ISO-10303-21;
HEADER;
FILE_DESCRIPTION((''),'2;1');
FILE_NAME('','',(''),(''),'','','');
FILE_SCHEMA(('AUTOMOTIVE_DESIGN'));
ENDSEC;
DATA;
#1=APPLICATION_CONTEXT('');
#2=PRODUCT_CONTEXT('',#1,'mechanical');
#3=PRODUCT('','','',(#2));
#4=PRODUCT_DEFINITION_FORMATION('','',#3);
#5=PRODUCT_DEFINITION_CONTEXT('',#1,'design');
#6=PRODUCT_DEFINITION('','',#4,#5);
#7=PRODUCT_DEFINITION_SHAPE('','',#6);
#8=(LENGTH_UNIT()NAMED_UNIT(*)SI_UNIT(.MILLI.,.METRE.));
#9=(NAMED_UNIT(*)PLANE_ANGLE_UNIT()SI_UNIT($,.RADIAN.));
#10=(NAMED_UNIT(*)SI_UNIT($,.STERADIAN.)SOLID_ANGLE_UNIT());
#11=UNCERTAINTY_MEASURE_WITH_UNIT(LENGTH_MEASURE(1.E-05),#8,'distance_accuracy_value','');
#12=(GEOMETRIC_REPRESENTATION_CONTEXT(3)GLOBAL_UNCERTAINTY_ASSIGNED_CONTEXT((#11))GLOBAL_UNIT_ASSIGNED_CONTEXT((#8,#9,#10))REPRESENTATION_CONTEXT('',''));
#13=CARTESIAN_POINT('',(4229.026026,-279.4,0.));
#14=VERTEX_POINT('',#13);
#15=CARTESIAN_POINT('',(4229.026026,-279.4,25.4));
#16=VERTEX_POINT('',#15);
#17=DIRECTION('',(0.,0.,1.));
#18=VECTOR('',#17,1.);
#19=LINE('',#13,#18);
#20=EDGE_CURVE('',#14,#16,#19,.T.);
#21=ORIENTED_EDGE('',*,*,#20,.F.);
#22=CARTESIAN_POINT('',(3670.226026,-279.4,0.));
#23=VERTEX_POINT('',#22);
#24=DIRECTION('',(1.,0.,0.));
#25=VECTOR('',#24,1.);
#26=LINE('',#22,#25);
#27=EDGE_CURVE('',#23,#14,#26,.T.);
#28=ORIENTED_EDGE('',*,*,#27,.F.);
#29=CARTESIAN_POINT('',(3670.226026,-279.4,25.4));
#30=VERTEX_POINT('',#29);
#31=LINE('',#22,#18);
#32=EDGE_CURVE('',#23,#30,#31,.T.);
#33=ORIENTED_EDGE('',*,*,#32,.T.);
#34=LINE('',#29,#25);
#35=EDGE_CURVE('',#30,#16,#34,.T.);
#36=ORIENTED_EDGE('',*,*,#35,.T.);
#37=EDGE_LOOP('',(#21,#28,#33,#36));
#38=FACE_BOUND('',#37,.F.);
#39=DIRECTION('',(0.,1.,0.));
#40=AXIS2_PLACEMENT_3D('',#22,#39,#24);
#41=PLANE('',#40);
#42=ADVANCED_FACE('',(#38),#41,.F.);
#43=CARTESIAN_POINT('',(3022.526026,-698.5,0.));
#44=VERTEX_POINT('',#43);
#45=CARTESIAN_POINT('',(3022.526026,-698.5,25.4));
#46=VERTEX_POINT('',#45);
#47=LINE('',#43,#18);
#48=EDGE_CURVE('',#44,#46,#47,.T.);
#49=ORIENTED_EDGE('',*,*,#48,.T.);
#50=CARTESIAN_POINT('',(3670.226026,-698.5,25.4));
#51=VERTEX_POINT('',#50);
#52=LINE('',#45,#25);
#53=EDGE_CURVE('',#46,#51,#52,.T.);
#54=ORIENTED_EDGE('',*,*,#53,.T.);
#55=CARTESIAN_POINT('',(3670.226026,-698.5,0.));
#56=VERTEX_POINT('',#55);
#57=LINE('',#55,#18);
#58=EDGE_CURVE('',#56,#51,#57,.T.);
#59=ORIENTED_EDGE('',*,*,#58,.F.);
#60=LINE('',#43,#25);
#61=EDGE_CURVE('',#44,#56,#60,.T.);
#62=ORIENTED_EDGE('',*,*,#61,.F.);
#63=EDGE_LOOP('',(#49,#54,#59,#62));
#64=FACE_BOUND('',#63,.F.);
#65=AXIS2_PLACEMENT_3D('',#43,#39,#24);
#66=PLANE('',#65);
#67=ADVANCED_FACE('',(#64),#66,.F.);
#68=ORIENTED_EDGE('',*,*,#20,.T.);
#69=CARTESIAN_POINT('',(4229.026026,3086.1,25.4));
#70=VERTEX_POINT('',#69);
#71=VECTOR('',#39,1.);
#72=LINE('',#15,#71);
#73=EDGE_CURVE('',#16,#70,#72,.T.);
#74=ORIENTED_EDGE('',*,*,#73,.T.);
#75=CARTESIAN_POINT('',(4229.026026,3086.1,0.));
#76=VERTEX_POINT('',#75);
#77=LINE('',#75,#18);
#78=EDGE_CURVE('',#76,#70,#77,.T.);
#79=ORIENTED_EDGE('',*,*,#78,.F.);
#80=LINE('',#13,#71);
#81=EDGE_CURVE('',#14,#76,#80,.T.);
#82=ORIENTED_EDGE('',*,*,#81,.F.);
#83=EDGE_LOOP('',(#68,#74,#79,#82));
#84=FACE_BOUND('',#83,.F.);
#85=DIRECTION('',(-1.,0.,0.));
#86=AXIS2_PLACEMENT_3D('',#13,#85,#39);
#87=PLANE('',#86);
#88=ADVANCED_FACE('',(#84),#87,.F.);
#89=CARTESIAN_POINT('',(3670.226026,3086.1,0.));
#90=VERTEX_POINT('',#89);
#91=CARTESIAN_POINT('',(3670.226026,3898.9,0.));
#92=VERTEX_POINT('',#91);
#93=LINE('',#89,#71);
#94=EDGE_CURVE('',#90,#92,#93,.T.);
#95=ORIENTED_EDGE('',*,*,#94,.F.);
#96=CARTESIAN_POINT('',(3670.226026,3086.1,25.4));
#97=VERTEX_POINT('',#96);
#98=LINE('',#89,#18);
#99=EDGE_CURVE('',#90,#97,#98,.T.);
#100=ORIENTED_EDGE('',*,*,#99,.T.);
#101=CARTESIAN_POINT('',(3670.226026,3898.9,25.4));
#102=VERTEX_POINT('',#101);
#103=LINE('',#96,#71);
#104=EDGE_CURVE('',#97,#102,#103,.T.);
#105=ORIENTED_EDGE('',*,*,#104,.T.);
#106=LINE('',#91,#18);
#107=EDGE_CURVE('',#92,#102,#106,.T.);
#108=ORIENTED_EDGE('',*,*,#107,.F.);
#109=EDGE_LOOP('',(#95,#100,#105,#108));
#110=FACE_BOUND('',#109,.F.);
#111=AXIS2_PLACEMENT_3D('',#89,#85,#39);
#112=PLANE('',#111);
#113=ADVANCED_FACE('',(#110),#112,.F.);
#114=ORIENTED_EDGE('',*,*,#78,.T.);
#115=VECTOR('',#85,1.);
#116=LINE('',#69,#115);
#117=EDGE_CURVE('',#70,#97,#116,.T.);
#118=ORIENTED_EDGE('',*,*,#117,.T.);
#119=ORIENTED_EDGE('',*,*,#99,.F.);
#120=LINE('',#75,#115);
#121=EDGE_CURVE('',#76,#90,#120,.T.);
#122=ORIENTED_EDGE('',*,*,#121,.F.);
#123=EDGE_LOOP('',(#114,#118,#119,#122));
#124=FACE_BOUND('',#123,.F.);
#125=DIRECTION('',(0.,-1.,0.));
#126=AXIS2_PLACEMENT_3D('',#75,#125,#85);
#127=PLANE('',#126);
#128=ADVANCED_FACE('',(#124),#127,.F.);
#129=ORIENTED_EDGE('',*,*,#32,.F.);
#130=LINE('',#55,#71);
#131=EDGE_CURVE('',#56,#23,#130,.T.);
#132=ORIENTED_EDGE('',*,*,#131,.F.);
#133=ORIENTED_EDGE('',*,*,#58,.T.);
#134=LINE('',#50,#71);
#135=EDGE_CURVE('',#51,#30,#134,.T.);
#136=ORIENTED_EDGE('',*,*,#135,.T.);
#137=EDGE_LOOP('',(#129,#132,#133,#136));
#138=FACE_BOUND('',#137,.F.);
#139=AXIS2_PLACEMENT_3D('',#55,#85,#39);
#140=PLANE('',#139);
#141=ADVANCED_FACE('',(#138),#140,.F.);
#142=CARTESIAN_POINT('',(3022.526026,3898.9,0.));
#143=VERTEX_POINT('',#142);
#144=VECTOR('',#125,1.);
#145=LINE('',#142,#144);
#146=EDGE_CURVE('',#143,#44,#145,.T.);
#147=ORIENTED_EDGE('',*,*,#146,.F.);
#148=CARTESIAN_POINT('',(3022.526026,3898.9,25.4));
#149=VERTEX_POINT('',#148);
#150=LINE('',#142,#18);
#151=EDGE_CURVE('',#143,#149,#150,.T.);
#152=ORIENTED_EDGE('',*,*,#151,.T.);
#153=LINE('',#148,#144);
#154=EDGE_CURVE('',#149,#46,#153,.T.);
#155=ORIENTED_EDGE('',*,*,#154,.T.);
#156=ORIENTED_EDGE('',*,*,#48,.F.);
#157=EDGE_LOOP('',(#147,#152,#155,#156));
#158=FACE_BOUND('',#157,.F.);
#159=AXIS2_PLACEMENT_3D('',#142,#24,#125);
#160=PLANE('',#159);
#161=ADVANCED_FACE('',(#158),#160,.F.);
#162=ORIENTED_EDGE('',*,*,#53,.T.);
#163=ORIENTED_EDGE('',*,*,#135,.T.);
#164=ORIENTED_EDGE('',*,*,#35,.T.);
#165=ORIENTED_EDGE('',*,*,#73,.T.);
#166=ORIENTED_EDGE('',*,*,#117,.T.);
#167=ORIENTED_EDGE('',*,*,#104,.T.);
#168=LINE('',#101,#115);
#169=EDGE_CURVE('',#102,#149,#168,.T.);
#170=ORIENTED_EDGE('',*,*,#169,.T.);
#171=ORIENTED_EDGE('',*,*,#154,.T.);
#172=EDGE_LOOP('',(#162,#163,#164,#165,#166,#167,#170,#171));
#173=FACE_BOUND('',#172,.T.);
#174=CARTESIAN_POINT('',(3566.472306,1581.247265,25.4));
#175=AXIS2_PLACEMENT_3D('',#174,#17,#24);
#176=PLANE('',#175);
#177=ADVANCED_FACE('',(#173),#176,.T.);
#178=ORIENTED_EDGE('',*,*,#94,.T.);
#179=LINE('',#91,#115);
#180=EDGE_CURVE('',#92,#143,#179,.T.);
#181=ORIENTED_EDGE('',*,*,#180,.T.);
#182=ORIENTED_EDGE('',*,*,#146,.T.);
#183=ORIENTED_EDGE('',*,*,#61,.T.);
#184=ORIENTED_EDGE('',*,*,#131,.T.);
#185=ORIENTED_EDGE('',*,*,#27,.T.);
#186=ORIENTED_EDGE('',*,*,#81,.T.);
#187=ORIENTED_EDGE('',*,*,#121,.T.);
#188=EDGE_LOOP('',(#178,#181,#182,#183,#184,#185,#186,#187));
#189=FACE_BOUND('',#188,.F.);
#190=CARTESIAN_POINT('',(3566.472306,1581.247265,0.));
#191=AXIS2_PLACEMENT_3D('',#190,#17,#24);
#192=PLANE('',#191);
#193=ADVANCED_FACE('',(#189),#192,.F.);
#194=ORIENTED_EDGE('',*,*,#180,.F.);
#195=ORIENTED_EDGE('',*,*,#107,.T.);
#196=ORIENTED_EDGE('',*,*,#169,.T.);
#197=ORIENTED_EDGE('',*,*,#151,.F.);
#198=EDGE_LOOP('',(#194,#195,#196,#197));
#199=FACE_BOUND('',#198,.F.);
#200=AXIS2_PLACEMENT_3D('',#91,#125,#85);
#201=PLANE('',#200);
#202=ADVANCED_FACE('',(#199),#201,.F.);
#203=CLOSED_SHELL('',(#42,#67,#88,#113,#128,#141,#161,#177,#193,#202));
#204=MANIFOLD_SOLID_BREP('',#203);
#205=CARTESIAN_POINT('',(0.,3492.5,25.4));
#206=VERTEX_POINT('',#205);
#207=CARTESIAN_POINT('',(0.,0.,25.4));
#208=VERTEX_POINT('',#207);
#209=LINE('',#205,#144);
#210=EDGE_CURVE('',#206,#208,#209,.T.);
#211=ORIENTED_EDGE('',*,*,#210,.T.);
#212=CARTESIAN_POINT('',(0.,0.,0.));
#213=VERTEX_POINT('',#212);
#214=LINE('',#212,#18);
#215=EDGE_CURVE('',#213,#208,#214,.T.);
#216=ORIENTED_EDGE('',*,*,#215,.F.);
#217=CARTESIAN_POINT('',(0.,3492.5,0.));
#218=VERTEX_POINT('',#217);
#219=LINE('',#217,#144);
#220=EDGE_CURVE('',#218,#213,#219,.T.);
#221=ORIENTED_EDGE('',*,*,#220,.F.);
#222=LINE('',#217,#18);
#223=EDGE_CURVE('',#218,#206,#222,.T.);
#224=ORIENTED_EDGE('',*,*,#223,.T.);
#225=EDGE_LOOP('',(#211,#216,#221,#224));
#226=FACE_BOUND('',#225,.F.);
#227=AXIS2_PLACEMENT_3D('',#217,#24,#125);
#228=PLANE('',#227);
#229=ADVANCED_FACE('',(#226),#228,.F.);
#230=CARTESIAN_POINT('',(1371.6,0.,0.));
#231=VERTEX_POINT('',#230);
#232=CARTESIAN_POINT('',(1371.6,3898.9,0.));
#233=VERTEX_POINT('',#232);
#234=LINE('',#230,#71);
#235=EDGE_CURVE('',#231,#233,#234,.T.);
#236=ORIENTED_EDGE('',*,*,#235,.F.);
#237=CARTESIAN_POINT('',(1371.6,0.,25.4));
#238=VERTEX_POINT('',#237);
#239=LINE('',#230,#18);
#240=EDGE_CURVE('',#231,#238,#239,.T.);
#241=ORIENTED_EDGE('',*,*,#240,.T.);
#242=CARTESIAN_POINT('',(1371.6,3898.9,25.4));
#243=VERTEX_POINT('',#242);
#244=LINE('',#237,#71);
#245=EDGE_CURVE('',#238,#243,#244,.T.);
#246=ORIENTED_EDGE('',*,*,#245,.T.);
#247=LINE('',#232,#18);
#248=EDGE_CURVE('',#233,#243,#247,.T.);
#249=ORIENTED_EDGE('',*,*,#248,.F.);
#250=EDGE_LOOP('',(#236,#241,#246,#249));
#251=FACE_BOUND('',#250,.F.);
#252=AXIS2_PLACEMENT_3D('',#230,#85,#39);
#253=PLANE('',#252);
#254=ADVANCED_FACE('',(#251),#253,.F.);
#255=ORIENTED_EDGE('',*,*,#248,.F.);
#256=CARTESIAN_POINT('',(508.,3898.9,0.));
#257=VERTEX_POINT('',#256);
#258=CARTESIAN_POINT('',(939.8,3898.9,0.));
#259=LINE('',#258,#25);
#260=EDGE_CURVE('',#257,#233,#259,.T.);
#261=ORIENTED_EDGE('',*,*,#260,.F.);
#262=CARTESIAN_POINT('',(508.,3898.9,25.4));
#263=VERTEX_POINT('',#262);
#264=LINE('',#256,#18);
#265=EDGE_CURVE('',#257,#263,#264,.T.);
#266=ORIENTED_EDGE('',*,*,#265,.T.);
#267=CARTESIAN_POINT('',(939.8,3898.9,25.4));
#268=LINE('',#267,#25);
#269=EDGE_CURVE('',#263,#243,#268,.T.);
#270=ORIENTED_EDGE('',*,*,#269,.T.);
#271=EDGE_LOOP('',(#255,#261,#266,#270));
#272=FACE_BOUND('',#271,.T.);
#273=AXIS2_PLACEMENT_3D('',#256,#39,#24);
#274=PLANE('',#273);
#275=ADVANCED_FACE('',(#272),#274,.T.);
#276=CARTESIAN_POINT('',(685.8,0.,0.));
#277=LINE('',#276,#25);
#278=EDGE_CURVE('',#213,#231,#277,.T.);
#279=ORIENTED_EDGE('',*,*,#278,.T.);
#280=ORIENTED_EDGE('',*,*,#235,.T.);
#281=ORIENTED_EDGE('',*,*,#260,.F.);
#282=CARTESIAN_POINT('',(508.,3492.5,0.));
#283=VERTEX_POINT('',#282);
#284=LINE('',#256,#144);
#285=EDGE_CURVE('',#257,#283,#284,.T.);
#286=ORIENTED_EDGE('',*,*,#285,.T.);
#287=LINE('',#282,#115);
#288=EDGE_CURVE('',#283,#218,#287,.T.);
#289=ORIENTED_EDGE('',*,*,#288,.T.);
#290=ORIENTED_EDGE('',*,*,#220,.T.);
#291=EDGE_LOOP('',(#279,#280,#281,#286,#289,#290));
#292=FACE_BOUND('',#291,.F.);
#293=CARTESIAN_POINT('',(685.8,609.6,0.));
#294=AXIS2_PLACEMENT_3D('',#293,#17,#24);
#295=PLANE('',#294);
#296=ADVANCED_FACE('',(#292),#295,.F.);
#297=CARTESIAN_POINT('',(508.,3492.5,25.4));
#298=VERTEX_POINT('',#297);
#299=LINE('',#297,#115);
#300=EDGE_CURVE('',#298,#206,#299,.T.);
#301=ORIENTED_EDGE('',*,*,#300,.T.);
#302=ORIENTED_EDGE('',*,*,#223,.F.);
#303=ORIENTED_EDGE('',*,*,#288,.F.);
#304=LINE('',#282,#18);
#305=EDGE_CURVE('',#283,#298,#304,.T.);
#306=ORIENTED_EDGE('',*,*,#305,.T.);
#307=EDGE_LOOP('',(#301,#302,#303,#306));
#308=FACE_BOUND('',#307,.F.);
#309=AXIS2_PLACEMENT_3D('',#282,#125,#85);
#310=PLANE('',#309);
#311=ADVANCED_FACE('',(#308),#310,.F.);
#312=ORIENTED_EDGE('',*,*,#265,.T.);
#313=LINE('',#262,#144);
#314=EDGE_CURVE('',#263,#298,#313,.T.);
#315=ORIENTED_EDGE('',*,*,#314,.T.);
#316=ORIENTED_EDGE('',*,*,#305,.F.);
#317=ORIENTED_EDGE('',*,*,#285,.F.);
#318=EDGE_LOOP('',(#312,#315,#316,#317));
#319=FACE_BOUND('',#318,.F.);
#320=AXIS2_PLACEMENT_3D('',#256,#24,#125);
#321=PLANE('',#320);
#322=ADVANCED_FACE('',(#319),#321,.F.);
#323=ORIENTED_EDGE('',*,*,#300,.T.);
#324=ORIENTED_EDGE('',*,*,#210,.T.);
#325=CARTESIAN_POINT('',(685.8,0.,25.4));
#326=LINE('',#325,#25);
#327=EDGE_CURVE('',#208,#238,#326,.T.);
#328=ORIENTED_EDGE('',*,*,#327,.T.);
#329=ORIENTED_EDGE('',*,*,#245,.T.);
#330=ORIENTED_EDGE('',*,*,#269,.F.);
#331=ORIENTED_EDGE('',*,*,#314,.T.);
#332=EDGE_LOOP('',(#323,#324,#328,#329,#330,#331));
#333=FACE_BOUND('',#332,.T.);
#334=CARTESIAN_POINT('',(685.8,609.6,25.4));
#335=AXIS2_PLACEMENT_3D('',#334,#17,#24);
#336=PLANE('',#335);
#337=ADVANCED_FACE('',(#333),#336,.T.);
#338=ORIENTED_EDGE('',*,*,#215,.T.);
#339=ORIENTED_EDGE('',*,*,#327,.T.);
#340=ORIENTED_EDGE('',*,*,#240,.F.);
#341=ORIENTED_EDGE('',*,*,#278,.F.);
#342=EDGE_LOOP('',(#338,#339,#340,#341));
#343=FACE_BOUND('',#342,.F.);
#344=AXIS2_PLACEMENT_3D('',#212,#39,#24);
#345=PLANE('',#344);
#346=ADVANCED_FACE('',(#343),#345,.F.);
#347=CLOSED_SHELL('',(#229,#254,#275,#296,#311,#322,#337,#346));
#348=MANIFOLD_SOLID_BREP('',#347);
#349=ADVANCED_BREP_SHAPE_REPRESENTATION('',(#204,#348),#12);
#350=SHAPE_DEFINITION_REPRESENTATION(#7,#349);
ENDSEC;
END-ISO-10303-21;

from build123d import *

# Parameters (mm, degrees)
F0_W     = 1371.6
F0_H     = 1219.2
F0_W_2   = 863.6
F0_H_2   = 241.3
F1_DEPTH = 25.4
F3_DEPTH = 25.4


with BuildPart() as f1:
    # F0 (on Top) → F1 (new body)
    with BuildSketch(Plane.XY):
        with Locations((685.8, 609.6)):
            Rectangle(F0_W, F0_H)
        with Locations((685.8, 1828.8)):
            Rectangle(F0_W, F0_H)
        Polygon((0, 3492.5), (0, 2438.4), (1371.6, 2438.4), (1371.6, 3657.6), (508, 3657.6), (508, 3492.5), align=None)
        with Locations((939.8, 3778.25)):
            Rectangle(F0_W_2, F0_H_2)
    extrude(amount=F1_DEPTH)


with BuildPart() as f3:
    # F2 (on Top) → F3 (new body)
    with BuildSketch(Plane.XY):
        Polygon((3670.226026, 3898.9), (3022.526026, 3898.9), (3022.526026, -698.5), (3670.226026, -698.5), (3670.226026, -279.4), (4229.026026, -279.4), (4229.026026, 3086.1), (3670.226026, 3086.1), align=None)
    extrude(amount=F3_DEPTH)


solid = Compound([f1.part, f3.part])
